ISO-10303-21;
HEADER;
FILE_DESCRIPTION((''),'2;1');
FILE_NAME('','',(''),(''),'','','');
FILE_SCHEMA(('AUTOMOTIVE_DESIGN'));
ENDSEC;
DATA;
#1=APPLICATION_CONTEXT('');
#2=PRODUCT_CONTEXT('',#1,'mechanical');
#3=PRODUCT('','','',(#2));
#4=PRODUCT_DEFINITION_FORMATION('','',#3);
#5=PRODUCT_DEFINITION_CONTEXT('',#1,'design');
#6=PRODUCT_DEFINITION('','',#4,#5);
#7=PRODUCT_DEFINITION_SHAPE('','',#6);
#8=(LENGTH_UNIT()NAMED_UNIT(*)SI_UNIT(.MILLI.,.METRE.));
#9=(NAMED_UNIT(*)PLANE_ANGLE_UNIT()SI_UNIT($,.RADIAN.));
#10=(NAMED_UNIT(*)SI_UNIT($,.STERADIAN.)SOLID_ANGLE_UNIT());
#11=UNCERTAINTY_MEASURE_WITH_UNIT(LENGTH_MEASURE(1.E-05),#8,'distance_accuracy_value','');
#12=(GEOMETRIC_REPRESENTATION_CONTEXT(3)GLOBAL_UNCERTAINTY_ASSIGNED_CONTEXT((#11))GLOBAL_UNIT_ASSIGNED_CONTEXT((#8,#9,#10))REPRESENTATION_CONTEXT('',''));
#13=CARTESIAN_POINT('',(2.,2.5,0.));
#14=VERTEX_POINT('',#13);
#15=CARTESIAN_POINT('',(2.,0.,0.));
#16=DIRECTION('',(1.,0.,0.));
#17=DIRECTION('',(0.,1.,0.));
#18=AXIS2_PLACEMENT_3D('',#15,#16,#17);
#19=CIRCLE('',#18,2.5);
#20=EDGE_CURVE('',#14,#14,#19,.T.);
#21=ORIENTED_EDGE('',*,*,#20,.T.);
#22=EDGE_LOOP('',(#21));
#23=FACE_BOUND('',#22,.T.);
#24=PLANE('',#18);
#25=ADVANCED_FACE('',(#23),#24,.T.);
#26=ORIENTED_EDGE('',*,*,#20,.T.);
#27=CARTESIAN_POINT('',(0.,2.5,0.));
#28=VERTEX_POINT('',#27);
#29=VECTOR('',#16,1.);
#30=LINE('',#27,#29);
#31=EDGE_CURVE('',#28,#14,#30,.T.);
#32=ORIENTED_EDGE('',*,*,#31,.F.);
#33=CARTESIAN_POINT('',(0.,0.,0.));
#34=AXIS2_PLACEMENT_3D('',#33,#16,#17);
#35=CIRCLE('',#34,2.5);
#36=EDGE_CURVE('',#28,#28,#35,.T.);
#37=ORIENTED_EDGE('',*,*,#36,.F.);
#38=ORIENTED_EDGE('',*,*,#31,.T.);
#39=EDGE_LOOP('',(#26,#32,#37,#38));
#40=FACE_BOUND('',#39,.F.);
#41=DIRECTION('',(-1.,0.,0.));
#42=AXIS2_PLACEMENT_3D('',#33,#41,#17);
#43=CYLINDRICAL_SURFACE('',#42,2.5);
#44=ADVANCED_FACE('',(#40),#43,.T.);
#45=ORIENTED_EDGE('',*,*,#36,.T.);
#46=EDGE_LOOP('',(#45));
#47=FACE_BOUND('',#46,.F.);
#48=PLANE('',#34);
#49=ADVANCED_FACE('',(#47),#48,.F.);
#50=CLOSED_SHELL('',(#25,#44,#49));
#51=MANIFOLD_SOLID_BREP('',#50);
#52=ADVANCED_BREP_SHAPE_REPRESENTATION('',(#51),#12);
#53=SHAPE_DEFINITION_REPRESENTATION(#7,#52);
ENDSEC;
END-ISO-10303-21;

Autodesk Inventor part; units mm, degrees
ref_plane "YZ Plane" through (0, 0, 0) normal (1, 0, 0) x (0, 1, 0)
ref_plane "XZ Plane" through (0, 0, 0) normal (0, 1, 0) x (-1, 0, 0)
ref_plane "XY Plane" through (0, 0, 0) normal (0, 0, 1) x (1, 0, 0)
sketch "Sketch1" plane through (0, 0, 0) normal (1, 0, 0) x (0, 1, 0)
  circle A0 centre (0, 0) radius 2.5
  dimension "d0" = 5
extrude "Extrusion1" add sketch "Sketch1" along normal blind 2
properties part number "expo part 7"
